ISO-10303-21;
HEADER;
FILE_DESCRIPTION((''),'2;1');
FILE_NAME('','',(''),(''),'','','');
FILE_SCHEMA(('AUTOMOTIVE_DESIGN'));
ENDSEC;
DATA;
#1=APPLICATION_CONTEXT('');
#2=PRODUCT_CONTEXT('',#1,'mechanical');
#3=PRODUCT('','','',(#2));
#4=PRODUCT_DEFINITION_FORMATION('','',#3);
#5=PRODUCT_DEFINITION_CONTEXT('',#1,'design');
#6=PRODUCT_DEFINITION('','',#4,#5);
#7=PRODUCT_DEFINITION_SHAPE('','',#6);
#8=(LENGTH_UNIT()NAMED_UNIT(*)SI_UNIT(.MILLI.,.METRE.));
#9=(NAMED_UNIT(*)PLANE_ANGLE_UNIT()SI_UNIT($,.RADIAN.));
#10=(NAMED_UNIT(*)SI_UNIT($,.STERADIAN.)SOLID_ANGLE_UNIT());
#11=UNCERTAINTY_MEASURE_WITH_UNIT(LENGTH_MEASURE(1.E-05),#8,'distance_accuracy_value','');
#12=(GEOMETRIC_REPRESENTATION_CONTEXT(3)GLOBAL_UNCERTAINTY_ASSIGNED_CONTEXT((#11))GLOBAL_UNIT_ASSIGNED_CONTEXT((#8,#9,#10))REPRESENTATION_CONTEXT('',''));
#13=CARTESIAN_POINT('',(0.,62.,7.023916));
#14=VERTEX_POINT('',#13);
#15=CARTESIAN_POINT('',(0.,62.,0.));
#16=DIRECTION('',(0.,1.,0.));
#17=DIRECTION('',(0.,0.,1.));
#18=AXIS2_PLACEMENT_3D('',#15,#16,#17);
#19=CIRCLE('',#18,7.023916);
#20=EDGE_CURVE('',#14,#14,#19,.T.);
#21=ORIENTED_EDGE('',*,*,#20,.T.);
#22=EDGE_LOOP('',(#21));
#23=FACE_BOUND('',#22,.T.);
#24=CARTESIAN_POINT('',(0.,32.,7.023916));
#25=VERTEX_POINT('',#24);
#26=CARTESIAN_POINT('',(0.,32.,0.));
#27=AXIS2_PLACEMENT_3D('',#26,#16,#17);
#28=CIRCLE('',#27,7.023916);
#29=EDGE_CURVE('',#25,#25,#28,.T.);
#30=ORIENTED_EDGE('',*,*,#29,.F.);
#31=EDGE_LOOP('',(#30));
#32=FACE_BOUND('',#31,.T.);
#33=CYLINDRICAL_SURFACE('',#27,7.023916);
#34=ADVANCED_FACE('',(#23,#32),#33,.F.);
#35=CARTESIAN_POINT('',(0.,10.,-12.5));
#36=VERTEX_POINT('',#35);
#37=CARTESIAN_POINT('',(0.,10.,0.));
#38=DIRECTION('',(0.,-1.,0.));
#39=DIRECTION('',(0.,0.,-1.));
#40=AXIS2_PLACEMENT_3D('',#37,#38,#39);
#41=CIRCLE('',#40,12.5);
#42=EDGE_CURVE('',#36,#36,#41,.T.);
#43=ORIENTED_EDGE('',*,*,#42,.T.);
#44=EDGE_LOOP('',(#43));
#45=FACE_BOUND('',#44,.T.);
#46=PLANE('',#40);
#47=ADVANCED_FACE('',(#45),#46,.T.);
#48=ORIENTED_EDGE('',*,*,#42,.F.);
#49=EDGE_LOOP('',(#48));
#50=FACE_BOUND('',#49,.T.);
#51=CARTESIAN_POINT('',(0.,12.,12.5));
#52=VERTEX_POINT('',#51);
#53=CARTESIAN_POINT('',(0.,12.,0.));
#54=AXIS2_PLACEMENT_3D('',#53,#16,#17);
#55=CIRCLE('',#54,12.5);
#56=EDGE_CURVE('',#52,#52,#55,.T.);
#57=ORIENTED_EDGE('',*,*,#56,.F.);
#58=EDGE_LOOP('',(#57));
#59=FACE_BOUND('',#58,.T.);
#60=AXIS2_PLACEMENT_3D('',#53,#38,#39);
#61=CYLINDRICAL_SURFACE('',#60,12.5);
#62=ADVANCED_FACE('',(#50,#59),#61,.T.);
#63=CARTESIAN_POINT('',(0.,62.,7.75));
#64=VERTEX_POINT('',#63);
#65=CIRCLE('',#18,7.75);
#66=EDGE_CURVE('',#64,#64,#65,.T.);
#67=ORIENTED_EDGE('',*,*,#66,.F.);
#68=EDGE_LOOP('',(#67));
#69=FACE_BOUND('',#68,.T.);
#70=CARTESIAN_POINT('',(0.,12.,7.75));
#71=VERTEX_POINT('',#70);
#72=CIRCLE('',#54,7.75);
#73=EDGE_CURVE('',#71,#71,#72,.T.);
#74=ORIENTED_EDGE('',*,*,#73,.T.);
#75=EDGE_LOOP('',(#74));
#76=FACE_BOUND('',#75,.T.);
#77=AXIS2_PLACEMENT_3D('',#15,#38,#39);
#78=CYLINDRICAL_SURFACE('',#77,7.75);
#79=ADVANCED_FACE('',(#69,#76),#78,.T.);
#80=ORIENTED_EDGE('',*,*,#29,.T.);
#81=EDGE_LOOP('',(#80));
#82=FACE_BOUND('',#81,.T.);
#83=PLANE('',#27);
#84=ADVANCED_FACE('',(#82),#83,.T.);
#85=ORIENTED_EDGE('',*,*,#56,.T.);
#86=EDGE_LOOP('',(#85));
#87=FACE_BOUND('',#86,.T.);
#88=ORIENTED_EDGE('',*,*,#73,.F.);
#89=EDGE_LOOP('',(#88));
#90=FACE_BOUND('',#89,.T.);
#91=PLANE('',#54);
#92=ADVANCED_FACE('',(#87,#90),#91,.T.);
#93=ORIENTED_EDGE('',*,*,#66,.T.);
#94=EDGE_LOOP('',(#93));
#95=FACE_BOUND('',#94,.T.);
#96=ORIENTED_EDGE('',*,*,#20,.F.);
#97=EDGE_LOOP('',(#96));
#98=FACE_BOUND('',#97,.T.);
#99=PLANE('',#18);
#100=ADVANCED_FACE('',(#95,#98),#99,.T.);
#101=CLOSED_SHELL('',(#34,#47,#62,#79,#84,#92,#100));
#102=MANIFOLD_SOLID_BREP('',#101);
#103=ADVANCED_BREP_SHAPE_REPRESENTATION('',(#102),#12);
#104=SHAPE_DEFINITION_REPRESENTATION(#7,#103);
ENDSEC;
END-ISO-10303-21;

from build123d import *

# Parameters (mm, degrees)
SKETCH1_W           = 101.6
SKETCH1_H           = 101.6
BOSS_EXTRUDE1_DEPTH = 10
SKETCH2_R           = 5
CUT_EXTRUDE1_DEPTH  = 5
SKETCH3_R           = 12.5
BOSS_EXTRUDE2_DEPTH = 2
SKETCH4_R           = 7.75
BOSS_EXTRUDE3_DEPTH = 50
SKETCH6_W           = 101.6
SKETCH6_H           = 101.6
CUT_EXTRUDE2_DEPTH  = 10
SKETCH7_R           = 7.023915829
CUT_EXTRUDE3_DEPTH  = 30


with BuildPart() as part:
    # Sketch1 → Boss-Extrude1 (new body)
    with BuildSketch(Plane(origin=(0, 0, 0), x_dir=(1, 0, 0), z_dir=(0, 1, 0))):
        Rectangle(SKETCH1_W, SKETCH1_H)
    extrude(amount=BOSS_EXTRUDE1_DEPTH)

    # Sketch2 → Cut-Extrude1 (cut)
    with BuildSketch(Plane(origin=(0, 0, 0), x_dir=(-1, 0, 0), z_dir=(0, -1, 0))):
        with Locations(Location((0, 0, 0), (0, 0, 90))):
            Circle(SKETCH2_R)
    extrude(amount=-CUT_EXTRUDE1_DEPTH, mode=Mode.SUBTRACT)

    # Sketch3 → Boss-Extrude2 (add)
    with BuildSketch(Plane(origin=(0, 10, 0), x_dir=(1, 0, 0), z_dir=(0, 1, 0))):
        with Locations(Location((0, 0, 0), (0, 0, 90))):
            Circle(SKETCH3_R)
    extrude(amount=BOSS_EXTRUDE2_DEPTH)

    # Sketch4 → Boss-Extrude3 (add)
    with BuildSketch(Plane(origin=(0, 12, 0), x_dir=(1, 0, 0), z_dir=(0, 1, 0))):
        with Locations(Location((0, 0, 0), (0, 0, 270))):
            Circle(SKETCH4_R)
    extrude(amount=BOSS_EXTRUDE3_DEPTH)

    # Sketch6 → Cut-Extrude2 (cut)
    with BuildSketch(Plane(origin=(0, 10, 0), x_dir=(1, 0, 0), z_dir=(0, 1, 0))):
        Rectangle(SKETCH6_W, SKETCH6_H)
    extrude(amount=-CUT_EXTRUDE2_DEPTH, mode=Mode.SUBTRACT)

    # Sketch7 → Cut-Extrude3 (cut)
    with BuildSketch(Plane(origin=(0, 62, 0), x_dir=(1, 0, 0), z_dir=(0, 1, 0))):
        with Locations(Location((0, 0, 0), (0, 0, 270))):
            Circle(SKETCH7_R)
    extrude(amount=-CUT_EXTRUDE3_DEPTH, mode=Mode.SUBTRACT)


solid = part.part
